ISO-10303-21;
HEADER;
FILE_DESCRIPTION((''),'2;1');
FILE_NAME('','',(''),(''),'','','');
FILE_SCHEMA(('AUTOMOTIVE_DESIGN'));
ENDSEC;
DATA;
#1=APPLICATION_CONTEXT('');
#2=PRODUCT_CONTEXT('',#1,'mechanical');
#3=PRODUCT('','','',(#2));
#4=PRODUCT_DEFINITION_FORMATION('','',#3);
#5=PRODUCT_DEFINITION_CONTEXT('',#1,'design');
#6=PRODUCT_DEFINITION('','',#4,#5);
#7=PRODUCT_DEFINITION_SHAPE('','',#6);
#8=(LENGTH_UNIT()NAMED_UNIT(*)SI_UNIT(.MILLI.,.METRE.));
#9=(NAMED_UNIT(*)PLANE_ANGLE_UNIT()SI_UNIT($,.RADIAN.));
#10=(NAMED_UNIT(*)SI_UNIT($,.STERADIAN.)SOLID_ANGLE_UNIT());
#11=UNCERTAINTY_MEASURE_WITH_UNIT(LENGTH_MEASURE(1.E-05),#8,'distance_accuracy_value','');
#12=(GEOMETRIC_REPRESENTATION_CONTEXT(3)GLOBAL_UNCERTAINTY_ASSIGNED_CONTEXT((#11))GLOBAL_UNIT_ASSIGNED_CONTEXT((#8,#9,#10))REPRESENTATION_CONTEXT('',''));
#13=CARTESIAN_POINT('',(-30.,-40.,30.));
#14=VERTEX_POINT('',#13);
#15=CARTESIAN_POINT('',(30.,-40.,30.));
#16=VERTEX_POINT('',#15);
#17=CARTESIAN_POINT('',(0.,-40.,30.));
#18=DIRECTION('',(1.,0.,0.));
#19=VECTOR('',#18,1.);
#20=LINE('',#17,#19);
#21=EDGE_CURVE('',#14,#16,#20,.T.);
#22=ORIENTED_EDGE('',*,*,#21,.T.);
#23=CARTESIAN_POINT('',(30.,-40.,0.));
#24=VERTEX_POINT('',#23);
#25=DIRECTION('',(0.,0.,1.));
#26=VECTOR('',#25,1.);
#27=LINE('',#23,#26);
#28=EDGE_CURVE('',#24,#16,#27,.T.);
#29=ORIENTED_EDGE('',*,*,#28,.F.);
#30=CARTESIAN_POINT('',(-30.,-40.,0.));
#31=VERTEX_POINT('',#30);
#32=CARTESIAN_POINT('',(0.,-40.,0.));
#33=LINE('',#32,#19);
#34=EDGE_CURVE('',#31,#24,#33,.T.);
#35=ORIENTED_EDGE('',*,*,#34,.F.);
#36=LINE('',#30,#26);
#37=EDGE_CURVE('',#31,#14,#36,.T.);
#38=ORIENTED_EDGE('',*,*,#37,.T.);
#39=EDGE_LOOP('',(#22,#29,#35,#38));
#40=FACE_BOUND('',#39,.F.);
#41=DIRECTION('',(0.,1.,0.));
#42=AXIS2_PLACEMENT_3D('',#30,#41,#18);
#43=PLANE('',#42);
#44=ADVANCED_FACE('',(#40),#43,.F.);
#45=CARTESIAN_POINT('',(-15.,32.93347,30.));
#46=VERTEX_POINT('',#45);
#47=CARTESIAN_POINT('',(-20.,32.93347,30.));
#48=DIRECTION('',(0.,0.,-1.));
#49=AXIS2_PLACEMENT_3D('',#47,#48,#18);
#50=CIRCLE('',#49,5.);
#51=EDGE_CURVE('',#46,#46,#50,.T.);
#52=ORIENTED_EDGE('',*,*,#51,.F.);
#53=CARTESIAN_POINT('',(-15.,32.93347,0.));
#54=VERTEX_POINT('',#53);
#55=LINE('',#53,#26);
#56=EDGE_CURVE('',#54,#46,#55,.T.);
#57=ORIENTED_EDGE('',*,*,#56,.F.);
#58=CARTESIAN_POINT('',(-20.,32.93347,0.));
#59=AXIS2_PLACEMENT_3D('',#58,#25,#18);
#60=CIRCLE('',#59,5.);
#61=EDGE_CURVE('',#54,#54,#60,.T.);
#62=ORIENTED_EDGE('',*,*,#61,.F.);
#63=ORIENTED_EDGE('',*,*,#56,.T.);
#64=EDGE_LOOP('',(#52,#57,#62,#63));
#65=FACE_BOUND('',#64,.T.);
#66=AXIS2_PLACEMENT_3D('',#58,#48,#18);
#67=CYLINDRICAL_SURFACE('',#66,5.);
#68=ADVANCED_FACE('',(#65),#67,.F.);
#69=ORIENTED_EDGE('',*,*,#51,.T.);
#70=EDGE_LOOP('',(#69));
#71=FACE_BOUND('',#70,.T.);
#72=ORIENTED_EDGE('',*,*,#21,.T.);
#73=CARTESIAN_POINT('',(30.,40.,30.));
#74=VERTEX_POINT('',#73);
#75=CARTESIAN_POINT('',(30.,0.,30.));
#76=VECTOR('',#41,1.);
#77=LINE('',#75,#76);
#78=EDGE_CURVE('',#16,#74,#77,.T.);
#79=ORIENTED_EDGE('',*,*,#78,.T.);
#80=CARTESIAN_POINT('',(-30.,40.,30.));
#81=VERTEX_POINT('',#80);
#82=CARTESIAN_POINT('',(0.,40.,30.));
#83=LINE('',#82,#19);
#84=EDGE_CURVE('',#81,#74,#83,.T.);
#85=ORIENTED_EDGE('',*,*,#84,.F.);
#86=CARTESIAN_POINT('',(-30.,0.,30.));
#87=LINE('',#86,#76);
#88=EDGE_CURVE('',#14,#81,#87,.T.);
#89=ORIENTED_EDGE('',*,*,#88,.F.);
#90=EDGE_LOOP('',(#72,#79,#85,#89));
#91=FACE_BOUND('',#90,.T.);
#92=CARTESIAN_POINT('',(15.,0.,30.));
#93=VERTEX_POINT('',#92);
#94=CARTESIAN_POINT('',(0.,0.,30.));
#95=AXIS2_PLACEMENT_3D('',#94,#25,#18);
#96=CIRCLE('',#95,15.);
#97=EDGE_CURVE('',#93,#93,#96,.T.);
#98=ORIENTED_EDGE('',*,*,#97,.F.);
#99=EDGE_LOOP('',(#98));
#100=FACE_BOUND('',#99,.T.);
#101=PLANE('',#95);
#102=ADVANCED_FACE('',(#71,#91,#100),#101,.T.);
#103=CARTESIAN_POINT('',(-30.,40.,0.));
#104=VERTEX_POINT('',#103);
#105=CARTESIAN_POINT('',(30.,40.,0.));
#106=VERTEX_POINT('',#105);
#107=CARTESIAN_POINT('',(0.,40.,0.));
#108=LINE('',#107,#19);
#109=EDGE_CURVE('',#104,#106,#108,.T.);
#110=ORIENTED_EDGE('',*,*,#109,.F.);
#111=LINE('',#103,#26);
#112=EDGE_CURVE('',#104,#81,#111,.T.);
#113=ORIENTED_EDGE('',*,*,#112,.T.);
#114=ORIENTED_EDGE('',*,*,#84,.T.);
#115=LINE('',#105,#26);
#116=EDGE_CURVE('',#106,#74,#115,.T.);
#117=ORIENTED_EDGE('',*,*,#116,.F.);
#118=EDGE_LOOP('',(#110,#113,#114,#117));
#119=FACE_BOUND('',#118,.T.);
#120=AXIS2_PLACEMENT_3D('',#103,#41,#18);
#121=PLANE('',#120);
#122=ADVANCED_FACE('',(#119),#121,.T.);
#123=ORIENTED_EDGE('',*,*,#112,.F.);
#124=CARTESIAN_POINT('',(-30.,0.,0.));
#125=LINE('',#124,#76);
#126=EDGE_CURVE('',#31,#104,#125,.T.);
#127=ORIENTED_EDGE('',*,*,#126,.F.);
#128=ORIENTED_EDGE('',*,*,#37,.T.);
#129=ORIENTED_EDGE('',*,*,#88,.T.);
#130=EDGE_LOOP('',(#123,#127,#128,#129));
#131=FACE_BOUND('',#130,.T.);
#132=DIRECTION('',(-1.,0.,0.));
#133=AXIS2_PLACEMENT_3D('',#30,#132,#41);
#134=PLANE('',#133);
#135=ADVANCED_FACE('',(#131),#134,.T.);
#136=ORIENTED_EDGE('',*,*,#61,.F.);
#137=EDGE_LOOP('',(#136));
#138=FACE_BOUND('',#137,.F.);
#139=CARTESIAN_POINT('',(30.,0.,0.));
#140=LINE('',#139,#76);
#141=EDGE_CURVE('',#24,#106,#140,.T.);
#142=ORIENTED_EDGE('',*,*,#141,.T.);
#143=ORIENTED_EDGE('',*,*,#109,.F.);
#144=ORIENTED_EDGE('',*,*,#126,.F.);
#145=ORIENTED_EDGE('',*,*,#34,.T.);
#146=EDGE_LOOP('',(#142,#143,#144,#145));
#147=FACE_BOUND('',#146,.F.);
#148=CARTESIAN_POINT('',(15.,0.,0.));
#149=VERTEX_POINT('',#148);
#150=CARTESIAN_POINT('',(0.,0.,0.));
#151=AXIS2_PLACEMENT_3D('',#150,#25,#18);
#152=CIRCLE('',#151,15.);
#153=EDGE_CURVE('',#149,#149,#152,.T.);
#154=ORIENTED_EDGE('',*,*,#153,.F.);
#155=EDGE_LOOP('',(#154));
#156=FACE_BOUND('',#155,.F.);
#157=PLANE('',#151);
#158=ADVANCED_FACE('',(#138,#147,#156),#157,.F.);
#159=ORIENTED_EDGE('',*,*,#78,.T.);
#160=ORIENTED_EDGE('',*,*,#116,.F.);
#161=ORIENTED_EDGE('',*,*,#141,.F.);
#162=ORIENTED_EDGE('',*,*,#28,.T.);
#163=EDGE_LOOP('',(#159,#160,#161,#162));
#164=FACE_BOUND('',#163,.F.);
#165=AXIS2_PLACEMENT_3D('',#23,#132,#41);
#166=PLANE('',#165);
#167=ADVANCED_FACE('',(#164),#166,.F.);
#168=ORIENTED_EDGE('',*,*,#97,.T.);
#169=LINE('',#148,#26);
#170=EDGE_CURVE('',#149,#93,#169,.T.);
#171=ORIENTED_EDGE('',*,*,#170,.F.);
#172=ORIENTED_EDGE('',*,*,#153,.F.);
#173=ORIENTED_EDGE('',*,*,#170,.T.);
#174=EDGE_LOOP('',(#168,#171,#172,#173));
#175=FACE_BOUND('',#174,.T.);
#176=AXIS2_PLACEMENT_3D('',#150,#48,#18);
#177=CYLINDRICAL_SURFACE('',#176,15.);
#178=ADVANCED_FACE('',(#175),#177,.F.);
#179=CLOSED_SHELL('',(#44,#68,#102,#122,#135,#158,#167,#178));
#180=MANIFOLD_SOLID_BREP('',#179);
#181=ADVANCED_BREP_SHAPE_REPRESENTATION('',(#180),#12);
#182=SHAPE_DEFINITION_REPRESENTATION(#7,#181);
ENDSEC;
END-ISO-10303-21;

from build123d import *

# Parameters (mm, degrees)
F0_W          = 60
F0_H          = 80
F0_R          = 15
F1_DEPTH      = 30
F2_R          = 5
F3_DEPTH      = 25
F3_DEPTH_BACK = 44.5


with BuildPart() as f1:
    # F0 (on Top) → F1 (new body)
    with BuildSketch(Plane.XY):
        Rectangle(F0_W, F0_H)
        Circle(F0_R, mode=Mode.SUBTRACT)
    extrude(amount=F1_DEPTH)

    # F2 (on Top) → F3 (cut, two sides)
    with BuildSketch(Plane.XY) as f3_sk:
        with Locations((-20, 32.9334698617)):
            Circle(F2_R)
    extrude(amount=-F3_DEPTH, mode=Mode.SUBTRACT)
    extrude(f3_sk.sketch, amount=F3_DEPTH_BACK, mode=Mode.SUBTRACT)


solid = f1.part
